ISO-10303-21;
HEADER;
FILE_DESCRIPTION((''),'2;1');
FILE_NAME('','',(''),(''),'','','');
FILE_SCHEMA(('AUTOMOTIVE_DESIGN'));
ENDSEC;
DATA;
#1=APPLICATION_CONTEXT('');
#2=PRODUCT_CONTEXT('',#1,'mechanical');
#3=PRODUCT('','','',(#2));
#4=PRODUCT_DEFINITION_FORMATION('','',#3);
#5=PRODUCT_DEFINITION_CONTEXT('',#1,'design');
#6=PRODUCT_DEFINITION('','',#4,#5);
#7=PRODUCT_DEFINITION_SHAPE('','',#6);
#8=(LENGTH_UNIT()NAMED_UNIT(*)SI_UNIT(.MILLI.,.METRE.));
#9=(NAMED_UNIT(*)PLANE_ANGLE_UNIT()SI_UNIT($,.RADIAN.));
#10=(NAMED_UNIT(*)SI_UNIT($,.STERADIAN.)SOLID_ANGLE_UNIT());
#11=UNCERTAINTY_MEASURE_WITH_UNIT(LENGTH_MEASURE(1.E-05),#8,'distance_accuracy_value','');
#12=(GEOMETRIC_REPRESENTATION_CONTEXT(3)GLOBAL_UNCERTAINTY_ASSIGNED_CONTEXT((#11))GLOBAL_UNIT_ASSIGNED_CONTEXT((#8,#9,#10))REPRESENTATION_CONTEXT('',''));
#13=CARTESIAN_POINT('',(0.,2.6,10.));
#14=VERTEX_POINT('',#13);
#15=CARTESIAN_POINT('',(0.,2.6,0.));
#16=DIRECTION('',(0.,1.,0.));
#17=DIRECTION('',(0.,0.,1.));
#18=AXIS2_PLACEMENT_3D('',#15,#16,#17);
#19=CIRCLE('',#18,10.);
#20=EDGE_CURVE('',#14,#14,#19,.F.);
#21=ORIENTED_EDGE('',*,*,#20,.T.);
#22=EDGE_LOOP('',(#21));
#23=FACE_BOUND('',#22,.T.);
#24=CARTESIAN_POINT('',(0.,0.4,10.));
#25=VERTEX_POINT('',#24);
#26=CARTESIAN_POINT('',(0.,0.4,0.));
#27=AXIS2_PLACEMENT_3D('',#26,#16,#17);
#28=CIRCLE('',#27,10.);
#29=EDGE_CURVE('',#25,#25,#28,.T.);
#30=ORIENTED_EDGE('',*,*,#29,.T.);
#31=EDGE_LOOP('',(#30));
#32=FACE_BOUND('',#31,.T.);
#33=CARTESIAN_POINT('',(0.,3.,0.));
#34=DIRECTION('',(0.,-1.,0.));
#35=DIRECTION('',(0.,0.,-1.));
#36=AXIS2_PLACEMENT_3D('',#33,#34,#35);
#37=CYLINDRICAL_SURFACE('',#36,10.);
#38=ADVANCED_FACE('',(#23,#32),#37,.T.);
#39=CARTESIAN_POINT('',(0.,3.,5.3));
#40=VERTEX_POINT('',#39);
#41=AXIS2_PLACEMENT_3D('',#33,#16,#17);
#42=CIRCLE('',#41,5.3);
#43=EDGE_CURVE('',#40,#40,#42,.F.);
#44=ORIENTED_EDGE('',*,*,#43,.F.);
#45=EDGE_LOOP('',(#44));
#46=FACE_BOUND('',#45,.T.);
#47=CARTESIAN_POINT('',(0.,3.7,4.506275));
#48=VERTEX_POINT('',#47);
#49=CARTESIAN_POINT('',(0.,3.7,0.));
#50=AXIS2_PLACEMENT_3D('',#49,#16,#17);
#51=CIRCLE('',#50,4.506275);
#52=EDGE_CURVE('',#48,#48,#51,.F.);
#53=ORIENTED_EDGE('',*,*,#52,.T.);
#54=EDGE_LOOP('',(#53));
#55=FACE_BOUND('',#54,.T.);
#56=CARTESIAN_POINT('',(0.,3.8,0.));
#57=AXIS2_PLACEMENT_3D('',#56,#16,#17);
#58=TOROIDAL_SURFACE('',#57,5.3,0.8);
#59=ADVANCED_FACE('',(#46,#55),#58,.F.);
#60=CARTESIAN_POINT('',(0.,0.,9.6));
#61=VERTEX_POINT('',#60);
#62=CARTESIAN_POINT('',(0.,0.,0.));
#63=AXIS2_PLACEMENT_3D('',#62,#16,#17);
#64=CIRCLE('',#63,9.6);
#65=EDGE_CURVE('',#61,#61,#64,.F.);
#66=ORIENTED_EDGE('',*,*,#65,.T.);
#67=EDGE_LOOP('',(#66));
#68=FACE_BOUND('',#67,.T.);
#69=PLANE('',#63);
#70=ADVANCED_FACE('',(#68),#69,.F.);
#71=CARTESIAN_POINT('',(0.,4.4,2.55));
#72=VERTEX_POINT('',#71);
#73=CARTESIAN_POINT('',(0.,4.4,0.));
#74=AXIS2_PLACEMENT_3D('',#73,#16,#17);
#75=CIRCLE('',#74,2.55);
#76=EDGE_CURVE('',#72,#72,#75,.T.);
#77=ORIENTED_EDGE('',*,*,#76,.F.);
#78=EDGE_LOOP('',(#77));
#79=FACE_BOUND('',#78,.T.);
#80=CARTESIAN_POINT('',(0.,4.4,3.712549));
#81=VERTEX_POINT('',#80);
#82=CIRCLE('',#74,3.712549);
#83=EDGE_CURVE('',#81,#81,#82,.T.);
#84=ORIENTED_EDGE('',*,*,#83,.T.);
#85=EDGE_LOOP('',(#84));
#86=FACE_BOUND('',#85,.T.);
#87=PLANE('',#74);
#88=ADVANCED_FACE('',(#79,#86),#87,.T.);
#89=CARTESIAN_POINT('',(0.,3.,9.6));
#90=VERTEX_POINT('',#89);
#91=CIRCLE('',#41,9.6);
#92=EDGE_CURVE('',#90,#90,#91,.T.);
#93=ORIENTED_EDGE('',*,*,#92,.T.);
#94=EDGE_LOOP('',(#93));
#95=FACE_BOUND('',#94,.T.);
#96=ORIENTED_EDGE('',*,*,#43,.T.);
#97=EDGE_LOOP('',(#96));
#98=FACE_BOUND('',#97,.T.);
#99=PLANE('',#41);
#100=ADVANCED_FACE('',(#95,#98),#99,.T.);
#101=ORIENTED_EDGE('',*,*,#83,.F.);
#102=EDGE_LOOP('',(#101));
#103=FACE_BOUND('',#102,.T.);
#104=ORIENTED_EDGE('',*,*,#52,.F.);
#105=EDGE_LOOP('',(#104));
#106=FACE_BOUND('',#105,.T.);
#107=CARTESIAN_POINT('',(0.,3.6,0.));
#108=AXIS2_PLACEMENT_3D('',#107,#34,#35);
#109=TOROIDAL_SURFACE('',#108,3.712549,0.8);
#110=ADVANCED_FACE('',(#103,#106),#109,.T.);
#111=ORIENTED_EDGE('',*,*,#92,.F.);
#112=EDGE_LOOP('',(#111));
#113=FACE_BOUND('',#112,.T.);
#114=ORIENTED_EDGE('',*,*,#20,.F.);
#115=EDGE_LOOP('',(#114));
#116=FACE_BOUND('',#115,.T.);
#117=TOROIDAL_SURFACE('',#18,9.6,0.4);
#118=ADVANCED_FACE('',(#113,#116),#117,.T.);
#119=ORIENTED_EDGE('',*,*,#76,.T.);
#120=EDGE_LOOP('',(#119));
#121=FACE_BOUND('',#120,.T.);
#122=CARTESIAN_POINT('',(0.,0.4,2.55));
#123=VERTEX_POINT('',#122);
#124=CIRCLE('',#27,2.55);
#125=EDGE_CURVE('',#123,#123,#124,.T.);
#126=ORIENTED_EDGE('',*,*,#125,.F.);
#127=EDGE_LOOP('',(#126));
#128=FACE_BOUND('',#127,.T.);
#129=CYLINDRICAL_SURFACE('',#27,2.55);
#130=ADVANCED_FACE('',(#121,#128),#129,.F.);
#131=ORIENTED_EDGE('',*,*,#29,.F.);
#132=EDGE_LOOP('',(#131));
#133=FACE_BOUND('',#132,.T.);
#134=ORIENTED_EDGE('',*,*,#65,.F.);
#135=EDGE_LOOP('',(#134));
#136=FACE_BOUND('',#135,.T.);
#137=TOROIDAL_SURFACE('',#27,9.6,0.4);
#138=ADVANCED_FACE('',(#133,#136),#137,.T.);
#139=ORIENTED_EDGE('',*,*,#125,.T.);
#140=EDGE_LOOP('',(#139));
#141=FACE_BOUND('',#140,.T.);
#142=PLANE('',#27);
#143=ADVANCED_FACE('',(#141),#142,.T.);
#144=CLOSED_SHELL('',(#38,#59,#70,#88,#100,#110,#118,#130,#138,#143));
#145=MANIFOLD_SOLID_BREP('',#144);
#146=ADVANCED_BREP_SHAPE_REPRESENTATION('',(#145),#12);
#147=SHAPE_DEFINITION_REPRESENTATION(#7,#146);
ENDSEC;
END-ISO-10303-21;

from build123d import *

# Parameters (mm, degrees)
SKETCH1_R           = 10
BOSS_EXTRUDE1_DEPTH = 3
SKETCH2_R           = 2.55
CUT_EXTRUDE1_DEPTH  = 2.6
FILLET1_R           = 0.4
BOSS_EXTRUDE2_START = 1.4
SKETCH3_R           = 4.5
SKETCH3_R_2         = 2.55
BOSS_EXTRUDE2_DEPTH = 1.4
FILLET2_R           = 0.8
FILLET3_R           = 0.8


with BuildPart() as part:
    # Sketch1 → Boss-Extrude1 (new body)
    with BuildSketch(Plane(origin=(0, 0, 0), x_dir=(1, 0, 0), z_dir=(0, 1, 0))):
        with Locations(Location((0, 0, 0), (0, 0, 270))):
            Circle(SKETCH1_R)
    extrude(amount=BOSS_EXTRUDE1_DEPTH)

    # Sketch2 → Cut-Extrude1 (cut)
    with BuildSketch(Plane(origin=(0, 3, 0), x_dir=(1, 0, 0), z_dir=(0, 1, 0))):
        with Locations(Location((0, 0, 0), (0, 0, 270))):
            Circle(SKETCH2_R)
    extrude(amount=-CUT_EXTRUDE1_DEPTH, mode=Mode.SUBTRACT)

    # Fillet1
    fillet1_edges = [part.edges().sort_by_distance(p)[0] for p in [
        (0, 0, -10),
        (0, 3, -10),
    ]]
    fillet(fillet1_edges, radius=FILLET1_R)

    # Sketch3 → Boss-Extrude2 (add)
    with BuildSketch(Plane(origin=(0, 3, 0), x_dir=(1, 0, 0), z_dir=(0, 1, 0)).offset(BOSS_EXTRUDE2_START)):
        with Locations(Location((0, 0, 0), (0, 0, 270))):
            Circle(SKETCH3_R)
        with Locations(Location((0, 0, 0), (0, 0, 270))):
            Circle(SKETCH3_R_2, mode=Mode.SUBTRACT)
    extrude(amount=-BOSS_EXTRUDE2_DEPTH)

    # Fillet2
    fillet2_edges = [part.edges().sort_by_distance(p)[0] for p in [
        (0, 3, -4.5),
    ]]
    fillet(fillet2_edges, radius=FILLET2_R)

    # Fillet3
    fillet3_edges = [part.edges().sort_by_distance(p)[0] for p in [
        (0, 4.4, -4.5),
    ]]
    fillet(fillet3_edges, radius=FILLET3_R)


solid = part.part
